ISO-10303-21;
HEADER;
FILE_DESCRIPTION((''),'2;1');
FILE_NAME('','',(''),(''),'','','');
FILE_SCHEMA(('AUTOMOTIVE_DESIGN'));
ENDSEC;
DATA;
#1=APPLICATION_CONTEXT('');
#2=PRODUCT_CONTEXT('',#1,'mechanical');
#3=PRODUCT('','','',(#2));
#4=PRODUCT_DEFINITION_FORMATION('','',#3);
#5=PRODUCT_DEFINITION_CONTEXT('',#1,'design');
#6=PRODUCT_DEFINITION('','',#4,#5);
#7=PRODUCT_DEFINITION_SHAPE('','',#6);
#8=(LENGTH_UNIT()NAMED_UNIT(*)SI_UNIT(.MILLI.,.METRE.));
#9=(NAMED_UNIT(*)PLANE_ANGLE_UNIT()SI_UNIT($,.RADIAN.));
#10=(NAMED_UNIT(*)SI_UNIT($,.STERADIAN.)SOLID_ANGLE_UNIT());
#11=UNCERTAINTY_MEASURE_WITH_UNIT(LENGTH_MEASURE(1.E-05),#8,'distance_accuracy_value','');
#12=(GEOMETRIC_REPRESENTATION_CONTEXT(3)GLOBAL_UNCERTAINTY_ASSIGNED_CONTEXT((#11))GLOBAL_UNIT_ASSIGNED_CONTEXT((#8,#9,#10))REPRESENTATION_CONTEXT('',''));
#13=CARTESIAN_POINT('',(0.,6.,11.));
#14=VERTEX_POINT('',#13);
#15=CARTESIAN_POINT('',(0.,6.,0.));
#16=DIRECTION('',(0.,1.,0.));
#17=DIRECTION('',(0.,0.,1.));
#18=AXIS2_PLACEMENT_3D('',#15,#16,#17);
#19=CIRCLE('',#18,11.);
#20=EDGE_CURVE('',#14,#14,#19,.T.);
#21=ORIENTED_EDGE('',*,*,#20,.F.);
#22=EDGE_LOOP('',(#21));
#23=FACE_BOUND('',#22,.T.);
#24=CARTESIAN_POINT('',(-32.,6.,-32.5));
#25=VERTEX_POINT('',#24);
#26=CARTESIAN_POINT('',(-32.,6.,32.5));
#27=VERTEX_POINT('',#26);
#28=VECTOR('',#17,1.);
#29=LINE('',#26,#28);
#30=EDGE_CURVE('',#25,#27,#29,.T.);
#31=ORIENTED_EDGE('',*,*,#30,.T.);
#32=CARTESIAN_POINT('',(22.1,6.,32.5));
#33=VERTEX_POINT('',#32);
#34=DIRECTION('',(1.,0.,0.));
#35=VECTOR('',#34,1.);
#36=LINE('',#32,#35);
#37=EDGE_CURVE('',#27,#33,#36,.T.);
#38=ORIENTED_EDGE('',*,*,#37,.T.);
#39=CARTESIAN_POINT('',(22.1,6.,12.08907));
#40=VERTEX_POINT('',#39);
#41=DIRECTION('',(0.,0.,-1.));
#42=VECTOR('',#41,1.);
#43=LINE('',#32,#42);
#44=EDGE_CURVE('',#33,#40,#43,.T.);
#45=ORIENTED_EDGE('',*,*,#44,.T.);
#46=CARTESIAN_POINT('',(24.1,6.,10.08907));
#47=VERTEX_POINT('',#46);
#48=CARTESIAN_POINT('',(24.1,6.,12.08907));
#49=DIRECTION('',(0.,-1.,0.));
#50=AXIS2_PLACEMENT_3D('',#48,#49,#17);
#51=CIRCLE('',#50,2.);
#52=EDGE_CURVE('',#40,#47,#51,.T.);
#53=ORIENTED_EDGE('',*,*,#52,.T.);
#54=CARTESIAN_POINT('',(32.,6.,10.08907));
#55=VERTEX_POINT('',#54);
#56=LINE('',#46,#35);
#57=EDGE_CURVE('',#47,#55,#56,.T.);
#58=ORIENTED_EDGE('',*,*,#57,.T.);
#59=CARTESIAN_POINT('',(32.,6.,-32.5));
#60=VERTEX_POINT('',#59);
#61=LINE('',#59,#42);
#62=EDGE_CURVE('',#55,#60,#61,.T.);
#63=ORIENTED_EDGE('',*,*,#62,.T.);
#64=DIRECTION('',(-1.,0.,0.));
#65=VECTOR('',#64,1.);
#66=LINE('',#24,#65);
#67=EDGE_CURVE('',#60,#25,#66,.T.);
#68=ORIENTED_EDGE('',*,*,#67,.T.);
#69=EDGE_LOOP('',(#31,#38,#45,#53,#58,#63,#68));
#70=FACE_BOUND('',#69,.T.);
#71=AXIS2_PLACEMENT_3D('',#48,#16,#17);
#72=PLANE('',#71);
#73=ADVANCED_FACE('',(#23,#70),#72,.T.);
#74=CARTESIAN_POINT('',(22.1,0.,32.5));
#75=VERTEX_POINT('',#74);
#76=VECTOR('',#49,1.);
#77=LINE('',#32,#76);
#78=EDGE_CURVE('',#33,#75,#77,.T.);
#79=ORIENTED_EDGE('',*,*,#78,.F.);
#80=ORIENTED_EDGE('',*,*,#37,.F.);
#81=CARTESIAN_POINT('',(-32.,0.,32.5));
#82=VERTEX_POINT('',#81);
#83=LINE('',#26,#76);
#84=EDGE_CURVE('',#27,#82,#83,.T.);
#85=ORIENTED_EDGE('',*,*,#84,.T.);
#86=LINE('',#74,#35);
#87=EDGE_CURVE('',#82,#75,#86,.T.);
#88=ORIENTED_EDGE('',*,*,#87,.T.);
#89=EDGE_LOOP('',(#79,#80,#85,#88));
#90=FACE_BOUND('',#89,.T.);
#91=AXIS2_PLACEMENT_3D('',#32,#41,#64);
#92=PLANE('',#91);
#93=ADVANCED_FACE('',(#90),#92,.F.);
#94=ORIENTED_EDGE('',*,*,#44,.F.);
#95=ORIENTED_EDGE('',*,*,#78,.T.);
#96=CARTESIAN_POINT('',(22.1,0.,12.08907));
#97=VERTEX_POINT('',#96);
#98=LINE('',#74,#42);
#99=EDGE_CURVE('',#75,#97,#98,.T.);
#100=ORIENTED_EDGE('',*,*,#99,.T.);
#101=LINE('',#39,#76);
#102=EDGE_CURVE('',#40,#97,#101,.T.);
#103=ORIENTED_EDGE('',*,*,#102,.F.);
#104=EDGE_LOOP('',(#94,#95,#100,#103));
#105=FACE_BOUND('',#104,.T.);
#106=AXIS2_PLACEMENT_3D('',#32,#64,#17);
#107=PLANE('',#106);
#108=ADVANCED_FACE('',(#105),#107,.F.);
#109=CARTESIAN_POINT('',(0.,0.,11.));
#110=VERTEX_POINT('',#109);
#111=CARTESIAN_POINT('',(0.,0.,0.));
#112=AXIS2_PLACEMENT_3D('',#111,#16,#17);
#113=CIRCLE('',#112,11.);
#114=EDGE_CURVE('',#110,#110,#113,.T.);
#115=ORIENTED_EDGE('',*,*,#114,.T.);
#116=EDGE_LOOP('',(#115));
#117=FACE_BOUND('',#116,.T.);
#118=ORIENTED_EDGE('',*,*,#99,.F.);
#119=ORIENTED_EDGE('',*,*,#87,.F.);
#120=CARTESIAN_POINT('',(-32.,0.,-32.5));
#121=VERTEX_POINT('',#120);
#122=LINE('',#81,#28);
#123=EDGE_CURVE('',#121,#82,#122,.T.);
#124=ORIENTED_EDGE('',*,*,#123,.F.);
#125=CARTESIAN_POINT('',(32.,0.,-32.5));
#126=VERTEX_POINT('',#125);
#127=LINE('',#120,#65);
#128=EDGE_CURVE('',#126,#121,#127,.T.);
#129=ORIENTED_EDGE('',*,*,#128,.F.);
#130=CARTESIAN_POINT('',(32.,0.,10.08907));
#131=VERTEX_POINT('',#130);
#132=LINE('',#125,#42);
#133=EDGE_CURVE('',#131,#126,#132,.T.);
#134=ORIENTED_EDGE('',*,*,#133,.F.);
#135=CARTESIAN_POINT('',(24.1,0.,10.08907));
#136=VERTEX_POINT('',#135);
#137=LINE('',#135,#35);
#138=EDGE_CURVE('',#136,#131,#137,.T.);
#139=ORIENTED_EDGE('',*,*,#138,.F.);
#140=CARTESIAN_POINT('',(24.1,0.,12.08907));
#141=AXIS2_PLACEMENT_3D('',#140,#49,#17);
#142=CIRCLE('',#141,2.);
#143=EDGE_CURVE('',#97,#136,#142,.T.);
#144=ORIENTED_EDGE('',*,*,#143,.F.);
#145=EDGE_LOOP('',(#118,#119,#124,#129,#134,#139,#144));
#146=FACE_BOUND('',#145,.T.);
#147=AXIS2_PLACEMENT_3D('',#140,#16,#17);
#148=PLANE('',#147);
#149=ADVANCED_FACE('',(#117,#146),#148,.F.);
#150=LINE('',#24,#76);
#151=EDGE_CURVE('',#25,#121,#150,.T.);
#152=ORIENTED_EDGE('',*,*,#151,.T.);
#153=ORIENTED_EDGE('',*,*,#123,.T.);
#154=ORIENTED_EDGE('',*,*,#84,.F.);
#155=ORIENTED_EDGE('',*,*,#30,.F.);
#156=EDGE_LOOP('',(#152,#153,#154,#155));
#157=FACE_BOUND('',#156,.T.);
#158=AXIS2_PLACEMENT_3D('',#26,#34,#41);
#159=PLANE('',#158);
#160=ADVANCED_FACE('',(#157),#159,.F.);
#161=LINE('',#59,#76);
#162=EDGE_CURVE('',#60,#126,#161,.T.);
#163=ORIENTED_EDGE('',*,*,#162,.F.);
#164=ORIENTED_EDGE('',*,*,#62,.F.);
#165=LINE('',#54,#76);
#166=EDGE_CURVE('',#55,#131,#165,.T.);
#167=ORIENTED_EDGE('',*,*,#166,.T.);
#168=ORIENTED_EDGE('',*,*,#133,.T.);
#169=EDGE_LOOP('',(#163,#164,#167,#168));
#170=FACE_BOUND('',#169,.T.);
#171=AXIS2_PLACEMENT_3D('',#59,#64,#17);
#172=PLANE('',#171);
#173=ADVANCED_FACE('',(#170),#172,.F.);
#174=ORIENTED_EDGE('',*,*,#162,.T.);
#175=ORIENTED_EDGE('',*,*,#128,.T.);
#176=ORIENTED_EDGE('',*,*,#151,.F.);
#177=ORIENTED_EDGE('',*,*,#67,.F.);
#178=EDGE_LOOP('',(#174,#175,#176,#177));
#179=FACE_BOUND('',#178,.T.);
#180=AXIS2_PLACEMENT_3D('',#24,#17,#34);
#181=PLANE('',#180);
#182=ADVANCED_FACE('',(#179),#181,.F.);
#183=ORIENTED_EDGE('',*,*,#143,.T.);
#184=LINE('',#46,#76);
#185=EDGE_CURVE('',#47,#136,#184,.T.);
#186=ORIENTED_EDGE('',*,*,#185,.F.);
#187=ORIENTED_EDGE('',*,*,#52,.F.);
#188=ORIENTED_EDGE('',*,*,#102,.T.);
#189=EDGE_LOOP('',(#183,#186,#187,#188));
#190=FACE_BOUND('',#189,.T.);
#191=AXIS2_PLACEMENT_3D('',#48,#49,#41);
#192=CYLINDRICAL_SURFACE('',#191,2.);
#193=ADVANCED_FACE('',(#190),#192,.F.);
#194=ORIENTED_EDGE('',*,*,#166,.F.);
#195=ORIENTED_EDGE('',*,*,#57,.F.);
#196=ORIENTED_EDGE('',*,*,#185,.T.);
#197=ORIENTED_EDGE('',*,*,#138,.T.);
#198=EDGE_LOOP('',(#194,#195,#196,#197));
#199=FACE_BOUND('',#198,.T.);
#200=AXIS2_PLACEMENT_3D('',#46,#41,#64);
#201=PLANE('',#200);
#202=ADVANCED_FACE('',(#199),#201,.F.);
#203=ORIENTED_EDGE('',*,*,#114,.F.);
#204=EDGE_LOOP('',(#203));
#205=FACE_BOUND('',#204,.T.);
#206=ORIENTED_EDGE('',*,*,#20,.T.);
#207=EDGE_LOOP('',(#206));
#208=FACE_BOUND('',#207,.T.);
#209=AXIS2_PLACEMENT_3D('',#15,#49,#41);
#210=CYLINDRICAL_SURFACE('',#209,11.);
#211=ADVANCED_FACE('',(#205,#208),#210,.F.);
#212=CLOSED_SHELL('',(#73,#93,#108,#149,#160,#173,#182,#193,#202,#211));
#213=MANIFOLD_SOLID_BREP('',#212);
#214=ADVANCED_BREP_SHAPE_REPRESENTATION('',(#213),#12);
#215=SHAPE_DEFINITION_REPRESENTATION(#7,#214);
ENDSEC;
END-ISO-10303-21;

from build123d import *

# Parameters (mm, degrees)
SKETCH2_R           = 11
BOSS_EXTRUDE1_DEPTH = 6


with BuildPart() as part:
    # Sketch2 → Boss-Extrude1 (new body)
    with BuildSketch(Plane(origin=(0, 0, 0), x_dir=(1, 0, 0), z_dir=(0, 1, 0))):
        with BuildLine():
            Line((22.100000125, -32.5), (-31.999999875, -32.5))
            Line((-31.999999875, -32.5), (-31.999999875, 32.5))
            Line((-31.999999875, 32.5), (32.000000125, 32.5))
            Line((32.000000125, 32.5), (32.000000125, -10.08907026))
            Line((32.000000125, -10.08907026), (24.099999649, -10.08907026))
            ThreePointArc((24.099999649, -10.08907026), (22.685786394, -10.674856867), (22.100000125, -12.08907026))
            Line((22.100000125, -12.08907026), (22.100000125, -32.5))
        make_face()
        with Locations(Location((0, 0, 0), (0, 0, 270))):
            Circle(SKETCH2_R, mode=Mode.SUBTRACT)
    extrude(amount=BOSS_EXTRUDE1_DEPTH)


solid = part.part
